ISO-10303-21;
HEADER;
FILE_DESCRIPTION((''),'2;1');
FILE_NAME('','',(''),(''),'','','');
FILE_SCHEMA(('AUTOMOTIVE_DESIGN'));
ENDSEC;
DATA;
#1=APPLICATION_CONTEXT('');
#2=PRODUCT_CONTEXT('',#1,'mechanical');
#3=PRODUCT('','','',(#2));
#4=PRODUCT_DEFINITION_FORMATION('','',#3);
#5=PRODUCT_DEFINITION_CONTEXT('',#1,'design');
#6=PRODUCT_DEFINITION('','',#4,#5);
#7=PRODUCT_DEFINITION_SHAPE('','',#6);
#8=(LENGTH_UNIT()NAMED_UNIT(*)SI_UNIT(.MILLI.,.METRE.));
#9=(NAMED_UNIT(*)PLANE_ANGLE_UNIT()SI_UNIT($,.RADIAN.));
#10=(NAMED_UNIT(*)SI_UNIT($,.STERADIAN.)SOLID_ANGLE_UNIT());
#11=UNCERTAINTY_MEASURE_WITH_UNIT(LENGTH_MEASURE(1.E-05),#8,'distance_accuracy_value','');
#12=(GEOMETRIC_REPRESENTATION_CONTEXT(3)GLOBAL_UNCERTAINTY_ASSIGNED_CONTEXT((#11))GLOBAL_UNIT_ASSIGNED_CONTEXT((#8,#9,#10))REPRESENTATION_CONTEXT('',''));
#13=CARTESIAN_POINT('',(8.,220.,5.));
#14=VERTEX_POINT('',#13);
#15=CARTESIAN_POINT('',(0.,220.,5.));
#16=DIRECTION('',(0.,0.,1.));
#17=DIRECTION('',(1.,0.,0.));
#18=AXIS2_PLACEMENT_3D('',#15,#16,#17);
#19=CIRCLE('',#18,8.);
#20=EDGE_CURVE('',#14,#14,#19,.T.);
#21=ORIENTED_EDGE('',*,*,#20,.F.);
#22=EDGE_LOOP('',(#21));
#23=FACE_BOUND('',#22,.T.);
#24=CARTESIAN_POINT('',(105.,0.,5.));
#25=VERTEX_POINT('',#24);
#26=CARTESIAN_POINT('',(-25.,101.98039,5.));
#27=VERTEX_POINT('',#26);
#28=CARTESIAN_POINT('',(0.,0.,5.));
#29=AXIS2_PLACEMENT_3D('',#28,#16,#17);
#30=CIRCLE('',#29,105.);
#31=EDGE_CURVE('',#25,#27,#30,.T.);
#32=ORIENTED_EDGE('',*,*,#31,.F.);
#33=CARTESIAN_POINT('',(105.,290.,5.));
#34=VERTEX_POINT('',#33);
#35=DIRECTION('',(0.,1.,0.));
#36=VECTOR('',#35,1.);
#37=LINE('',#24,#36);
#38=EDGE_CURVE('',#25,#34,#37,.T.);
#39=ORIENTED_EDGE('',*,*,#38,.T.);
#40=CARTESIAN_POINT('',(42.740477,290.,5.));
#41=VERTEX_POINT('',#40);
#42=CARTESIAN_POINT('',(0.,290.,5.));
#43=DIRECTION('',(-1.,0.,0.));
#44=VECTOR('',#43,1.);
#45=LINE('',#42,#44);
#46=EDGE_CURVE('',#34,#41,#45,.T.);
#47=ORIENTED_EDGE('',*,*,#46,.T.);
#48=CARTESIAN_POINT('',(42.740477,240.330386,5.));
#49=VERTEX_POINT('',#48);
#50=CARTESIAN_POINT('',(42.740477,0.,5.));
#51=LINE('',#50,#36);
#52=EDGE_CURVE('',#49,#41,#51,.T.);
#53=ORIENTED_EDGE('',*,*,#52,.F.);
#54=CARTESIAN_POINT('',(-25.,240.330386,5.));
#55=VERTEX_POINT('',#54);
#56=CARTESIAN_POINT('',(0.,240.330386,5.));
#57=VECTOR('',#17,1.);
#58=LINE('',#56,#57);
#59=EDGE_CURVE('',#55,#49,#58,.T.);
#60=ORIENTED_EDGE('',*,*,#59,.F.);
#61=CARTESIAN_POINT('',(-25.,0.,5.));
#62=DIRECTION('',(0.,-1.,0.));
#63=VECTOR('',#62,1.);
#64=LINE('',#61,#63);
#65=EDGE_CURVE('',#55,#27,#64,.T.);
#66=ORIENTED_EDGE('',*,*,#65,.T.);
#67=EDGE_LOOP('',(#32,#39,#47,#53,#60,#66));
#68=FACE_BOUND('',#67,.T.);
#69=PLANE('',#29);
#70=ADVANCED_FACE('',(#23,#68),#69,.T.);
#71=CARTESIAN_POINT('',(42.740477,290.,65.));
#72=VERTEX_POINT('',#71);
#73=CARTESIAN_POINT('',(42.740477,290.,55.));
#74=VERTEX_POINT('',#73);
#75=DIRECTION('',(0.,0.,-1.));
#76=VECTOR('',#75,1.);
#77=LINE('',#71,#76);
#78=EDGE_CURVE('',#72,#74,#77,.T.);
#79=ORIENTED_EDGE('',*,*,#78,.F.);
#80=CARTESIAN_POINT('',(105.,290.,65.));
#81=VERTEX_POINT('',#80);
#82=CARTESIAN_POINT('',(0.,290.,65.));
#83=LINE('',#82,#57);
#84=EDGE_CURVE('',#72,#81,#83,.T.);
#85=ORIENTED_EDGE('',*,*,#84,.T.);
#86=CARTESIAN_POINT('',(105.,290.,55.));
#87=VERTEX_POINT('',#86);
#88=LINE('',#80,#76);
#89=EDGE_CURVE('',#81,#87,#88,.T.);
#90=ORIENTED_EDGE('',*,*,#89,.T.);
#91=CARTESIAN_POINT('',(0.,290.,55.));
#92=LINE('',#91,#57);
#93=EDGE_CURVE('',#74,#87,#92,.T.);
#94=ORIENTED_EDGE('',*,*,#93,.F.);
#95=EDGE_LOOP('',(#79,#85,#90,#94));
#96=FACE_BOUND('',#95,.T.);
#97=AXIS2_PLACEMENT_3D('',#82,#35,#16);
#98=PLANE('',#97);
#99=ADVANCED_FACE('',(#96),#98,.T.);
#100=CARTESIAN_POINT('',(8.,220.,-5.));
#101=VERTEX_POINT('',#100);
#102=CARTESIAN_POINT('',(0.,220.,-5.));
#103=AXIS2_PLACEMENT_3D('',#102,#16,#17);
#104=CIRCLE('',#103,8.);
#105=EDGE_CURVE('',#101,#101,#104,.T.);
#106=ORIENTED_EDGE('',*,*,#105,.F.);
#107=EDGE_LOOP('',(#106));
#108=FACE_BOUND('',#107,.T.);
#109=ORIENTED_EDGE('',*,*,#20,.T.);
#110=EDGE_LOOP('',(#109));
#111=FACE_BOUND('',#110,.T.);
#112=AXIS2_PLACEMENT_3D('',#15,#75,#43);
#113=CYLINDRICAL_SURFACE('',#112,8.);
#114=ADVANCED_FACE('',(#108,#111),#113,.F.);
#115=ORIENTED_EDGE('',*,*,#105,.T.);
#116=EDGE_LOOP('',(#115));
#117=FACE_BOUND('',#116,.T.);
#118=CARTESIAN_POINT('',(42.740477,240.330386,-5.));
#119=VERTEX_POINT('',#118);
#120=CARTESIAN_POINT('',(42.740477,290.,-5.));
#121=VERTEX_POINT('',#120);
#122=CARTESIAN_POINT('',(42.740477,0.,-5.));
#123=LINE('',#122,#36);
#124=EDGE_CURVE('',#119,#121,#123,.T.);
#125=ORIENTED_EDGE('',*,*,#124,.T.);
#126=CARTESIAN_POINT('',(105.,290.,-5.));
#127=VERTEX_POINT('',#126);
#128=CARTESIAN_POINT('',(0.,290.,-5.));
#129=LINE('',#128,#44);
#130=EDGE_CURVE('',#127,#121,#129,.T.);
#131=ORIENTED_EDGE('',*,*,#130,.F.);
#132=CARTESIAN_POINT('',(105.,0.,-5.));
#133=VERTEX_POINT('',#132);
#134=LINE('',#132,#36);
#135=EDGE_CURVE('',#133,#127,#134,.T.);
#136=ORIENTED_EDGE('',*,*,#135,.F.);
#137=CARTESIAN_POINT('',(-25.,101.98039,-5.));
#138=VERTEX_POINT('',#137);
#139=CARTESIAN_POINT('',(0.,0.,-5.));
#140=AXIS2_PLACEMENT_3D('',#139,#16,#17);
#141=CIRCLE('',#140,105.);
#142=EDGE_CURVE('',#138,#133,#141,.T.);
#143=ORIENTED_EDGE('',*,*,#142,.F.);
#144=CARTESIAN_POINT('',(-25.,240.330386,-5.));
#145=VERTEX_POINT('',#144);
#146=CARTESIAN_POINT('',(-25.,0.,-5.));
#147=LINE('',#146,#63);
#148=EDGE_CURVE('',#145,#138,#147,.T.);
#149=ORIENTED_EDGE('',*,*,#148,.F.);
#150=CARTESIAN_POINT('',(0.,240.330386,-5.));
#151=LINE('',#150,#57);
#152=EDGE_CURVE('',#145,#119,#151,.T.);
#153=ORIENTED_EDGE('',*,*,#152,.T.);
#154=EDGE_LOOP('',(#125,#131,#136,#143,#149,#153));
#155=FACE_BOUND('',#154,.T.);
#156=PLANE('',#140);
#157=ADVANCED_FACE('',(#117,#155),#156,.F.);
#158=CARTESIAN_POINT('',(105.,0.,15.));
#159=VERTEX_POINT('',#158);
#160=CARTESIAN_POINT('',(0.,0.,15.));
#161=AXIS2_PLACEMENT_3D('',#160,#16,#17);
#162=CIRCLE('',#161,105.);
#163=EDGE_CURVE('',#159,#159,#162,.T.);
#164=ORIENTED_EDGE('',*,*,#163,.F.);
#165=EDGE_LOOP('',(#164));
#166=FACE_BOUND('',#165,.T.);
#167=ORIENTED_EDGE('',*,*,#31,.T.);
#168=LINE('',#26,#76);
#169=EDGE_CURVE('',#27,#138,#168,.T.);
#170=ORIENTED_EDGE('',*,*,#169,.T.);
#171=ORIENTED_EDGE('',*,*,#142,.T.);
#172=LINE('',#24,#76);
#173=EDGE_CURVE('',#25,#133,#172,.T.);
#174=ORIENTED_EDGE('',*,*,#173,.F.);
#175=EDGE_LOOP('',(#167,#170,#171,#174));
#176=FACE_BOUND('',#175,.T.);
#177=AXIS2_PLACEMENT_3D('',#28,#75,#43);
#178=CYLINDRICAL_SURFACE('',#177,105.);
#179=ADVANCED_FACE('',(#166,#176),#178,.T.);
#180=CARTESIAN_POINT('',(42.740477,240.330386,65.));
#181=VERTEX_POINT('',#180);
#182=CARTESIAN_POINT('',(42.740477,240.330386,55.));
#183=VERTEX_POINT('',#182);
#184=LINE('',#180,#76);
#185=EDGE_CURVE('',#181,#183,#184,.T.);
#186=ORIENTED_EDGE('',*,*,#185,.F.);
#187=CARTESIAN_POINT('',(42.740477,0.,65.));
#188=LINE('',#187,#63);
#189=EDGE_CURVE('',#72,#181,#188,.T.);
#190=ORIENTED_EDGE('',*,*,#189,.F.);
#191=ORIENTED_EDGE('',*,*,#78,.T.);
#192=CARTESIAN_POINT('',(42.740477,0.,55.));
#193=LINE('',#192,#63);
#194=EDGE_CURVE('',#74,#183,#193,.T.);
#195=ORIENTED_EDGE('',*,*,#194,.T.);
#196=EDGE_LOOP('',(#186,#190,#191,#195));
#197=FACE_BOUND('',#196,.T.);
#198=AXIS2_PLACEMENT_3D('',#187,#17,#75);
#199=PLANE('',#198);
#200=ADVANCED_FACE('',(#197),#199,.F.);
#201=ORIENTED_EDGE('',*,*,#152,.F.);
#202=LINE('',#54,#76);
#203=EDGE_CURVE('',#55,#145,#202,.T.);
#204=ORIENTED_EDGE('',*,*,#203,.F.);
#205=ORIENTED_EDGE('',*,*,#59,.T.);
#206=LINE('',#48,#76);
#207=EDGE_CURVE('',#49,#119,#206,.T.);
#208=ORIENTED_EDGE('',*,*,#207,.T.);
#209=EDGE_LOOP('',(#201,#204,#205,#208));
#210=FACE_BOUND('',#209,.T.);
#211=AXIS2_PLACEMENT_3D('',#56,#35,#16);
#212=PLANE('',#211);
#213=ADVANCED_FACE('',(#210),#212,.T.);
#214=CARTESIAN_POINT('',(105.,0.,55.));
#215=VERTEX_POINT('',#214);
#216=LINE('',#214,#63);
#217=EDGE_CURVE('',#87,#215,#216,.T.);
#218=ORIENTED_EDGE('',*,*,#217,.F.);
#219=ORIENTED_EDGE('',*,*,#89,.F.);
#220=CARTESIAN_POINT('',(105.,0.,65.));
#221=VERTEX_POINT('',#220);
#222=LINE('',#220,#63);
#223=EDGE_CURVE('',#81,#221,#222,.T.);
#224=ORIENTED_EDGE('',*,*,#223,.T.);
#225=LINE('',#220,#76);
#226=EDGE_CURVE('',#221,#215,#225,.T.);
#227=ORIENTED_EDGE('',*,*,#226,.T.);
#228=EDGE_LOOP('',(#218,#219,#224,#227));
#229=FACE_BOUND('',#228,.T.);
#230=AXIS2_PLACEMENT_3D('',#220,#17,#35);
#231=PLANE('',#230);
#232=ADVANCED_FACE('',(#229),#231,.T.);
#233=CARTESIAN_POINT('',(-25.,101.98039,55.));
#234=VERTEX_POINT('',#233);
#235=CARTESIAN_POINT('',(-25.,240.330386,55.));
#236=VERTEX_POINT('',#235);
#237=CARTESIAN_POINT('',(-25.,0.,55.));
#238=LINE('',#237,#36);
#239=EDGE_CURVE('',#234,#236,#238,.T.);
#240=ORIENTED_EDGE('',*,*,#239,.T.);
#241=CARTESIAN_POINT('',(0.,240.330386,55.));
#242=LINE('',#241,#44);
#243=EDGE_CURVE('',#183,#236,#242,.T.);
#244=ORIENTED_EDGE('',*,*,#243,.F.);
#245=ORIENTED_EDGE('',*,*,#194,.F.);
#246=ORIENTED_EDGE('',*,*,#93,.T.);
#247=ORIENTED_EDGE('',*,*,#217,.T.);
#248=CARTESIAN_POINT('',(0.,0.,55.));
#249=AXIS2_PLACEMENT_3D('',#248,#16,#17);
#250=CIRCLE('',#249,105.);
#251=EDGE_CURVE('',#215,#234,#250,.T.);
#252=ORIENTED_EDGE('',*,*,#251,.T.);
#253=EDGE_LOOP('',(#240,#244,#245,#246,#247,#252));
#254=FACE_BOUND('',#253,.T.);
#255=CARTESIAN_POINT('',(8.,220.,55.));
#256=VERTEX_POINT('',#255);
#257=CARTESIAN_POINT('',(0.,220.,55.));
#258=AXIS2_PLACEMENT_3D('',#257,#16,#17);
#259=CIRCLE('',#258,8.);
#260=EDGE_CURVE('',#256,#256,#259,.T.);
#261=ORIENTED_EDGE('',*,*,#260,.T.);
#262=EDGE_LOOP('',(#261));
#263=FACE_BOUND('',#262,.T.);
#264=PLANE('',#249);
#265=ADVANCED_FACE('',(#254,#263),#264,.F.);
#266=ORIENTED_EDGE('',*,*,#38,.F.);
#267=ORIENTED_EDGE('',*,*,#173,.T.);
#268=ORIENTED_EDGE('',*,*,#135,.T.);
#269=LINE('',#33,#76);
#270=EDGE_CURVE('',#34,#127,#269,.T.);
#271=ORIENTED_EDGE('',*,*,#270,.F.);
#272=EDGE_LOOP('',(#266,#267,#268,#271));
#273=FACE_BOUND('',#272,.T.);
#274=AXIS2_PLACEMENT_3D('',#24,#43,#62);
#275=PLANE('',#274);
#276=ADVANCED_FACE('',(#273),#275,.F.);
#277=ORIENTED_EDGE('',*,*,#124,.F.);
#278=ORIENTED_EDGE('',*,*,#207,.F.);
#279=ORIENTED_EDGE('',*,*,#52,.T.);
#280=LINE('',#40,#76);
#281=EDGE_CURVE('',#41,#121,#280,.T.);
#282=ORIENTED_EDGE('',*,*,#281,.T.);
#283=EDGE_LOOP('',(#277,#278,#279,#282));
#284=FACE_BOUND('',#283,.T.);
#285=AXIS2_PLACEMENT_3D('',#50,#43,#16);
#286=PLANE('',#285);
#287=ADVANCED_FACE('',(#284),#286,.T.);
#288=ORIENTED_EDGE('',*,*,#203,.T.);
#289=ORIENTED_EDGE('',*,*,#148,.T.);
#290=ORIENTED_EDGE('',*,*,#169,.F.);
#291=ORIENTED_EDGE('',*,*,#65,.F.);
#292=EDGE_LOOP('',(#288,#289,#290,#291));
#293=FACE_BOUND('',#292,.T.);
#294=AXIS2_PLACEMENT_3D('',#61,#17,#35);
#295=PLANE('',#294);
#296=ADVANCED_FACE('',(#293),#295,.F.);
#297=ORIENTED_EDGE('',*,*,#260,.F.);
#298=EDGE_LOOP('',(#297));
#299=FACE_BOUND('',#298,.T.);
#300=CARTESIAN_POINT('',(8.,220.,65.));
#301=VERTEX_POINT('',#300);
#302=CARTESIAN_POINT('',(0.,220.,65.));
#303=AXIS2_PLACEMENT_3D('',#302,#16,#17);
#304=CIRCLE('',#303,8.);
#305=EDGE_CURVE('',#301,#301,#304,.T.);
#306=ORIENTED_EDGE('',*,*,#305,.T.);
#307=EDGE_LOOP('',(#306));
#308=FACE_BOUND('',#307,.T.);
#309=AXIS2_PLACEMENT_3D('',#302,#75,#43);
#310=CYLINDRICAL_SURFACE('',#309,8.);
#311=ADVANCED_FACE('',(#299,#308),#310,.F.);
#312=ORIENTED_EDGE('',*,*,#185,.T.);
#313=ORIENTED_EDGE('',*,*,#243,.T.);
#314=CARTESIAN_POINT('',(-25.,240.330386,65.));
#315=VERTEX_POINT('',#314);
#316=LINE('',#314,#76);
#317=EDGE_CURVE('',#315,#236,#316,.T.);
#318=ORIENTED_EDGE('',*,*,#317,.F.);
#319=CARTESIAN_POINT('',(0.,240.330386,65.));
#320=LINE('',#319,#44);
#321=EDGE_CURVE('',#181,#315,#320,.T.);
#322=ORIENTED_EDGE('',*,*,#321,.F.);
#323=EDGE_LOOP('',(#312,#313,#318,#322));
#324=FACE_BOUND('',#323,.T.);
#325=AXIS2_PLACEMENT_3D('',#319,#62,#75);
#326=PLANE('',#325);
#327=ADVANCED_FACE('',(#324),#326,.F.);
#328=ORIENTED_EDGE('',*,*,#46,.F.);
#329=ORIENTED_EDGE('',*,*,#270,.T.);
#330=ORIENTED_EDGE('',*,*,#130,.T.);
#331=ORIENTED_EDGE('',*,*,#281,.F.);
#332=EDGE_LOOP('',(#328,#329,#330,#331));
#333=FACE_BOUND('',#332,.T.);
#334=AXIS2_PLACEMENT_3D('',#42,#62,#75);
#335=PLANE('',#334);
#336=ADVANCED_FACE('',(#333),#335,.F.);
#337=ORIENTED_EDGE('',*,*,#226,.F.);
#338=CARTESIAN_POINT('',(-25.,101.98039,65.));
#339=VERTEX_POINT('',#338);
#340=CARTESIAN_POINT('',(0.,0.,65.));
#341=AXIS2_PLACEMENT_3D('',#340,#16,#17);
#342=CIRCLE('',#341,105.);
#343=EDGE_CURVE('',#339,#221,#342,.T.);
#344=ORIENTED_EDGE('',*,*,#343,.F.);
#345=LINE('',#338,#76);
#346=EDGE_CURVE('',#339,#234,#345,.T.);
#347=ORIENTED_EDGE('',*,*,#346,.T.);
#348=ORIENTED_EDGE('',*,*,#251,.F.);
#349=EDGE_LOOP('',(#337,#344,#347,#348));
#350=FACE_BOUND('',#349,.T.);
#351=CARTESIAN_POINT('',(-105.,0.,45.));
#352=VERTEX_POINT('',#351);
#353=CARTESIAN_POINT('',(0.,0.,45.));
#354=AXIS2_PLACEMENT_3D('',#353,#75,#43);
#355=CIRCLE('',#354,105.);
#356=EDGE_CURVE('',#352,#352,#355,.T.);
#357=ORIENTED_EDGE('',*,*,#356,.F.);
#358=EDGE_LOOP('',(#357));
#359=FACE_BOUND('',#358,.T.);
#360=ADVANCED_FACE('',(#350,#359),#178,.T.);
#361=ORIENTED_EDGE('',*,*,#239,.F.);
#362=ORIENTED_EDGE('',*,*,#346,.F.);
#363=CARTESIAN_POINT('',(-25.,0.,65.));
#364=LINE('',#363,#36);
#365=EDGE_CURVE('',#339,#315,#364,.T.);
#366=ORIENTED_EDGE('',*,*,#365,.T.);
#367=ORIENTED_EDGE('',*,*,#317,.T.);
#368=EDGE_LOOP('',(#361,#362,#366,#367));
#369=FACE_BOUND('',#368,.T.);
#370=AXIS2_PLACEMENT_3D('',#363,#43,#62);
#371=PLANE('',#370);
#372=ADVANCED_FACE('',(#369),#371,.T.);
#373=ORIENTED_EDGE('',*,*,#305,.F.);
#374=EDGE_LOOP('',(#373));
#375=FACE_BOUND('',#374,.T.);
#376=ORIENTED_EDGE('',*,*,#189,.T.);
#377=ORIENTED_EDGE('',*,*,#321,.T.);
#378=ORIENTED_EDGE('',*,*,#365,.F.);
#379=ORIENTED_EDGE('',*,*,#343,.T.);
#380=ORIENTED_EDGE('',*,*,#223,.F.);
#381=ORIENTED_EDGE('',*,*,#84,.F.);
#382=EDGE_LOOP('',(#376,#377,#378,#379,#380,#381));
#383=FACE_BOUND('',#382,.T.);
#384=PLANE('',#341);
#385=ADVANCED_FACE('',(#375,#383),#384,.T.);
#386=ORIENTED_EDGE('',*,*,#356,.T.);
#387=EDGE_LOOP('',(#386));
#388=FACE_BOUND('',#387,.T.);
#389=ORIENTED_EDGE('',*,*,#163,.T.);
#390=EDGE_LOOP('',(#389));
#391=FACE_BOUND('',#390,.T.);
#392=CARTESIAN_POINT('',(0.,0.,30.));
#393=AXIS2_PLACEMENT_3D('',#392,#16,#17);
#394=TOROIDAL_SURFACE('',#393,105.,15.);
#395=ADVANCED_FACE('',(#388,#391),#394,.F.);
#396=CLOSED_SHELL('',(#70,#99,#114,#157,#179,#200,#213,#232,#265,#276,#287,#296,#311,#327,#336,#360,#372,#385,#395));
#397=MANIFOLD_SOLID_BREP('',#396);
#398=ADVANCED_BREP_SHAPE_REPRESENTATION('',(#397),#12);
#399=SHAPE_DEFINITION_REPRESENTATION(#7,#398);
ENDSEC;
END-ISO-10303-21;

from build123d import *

# Parameters (mm, degrees)
SKETCH1_R           = 8
BOSS_EXTRUDE1_DEPTH = 5
BOSS_EXTRUDE2_START = 5
SKETCH1_3_R         = 105
BOSS_EXTRUDE2_DEPTH = 50
BOSS_EXTRUDE3_START = 55
SKETCH1_4_R         = 8
SKETCH1_4_R_2       = 105
BOSS_EXTRUDE3_DEPTH = 10
SKETCH2_R           = 15


with BuildPart() as part:
    # Sketch1 → Boss-Extrude1 (new body, symmetric)
    with BuildSketch(Plane.XY):
        with BuildLine():
            Line((-25, 240.330386365), (-25, 101.980390272))
            ThreePointArc((-25, 101.980390272), (-64.807406984, -82.613558209), (105, 0))
            Line((105, 0), (105, 290))
            Line((105, 290), (42.740477075, 290))
            Line((42.740477075, 290), (42.740477075, 240.330386365))
            Line((42.740477075, 240.330386365), (-25, 240.330386365))
        make_face()
        with Locations((0, 220)):
            Circle(SKETCH1_R, mode=Mode.SUBTRACT)
    extrude(amount=BOSS_EXTRUDE1_DEPTH, both=True)

    # Sketch1<3> → Boss-Extrude2 (add)
    with BuildSketch(Plane.XY.offset(BOSS_EXTRUDE2_START)):
        Circle(SKETCH1_3_R)
    extrude(amount=BOSS_EXTRUDE2_DEPTH)

    # Sketch1<4> → Boss-Extrude3 (add)
    with BuildSketch(Plane.XY.offset(BOSS_EXTRUDE3_START)):
        with BuildLine():
            ThreePointArc((-25, 101.980390272), (64.807406984, 82.613558209), (105, 0))
            Line((105, 0), (105, 290))
            Line((105, 290), (42.740477075, 290))
            Line((42.740477075, 290), (42.740477075, 240.330386365))
            Line((42.740477075, 240.330386365), (-25, 240.330386365))
            Line((-25, 240.330386365), (-25, 101.980390272))
        make_face()
        with Locations((0, 220)):
            Circle(SKETCH1_4_R, mode=Mode.SUBTRACT)
        Circle(SKETCH1_4_R_2)
    extrude(amount=BOSS_EXTRUDE3_DEPTH)


with BuildPart() as body_2:
    # Sketch2 → Revolve1 (revolve)
    with BuildSketch(Plane(origin=(0, 0, 0), x_dir=(0, 0, -1), z_dir=(1, 0, 0))):
        with Locations((-30, 105)):
            Circle(SKETCH2_R)
    revolve(axis=Axis((0, 0, 45), (0, 0, -1)))


with BuildPart() as part_1:
    add(part.part)

    # Combine1: cut body 2
    add(body_2.part, mode=Mode.SUBTRACT)


solid = part_1.part
